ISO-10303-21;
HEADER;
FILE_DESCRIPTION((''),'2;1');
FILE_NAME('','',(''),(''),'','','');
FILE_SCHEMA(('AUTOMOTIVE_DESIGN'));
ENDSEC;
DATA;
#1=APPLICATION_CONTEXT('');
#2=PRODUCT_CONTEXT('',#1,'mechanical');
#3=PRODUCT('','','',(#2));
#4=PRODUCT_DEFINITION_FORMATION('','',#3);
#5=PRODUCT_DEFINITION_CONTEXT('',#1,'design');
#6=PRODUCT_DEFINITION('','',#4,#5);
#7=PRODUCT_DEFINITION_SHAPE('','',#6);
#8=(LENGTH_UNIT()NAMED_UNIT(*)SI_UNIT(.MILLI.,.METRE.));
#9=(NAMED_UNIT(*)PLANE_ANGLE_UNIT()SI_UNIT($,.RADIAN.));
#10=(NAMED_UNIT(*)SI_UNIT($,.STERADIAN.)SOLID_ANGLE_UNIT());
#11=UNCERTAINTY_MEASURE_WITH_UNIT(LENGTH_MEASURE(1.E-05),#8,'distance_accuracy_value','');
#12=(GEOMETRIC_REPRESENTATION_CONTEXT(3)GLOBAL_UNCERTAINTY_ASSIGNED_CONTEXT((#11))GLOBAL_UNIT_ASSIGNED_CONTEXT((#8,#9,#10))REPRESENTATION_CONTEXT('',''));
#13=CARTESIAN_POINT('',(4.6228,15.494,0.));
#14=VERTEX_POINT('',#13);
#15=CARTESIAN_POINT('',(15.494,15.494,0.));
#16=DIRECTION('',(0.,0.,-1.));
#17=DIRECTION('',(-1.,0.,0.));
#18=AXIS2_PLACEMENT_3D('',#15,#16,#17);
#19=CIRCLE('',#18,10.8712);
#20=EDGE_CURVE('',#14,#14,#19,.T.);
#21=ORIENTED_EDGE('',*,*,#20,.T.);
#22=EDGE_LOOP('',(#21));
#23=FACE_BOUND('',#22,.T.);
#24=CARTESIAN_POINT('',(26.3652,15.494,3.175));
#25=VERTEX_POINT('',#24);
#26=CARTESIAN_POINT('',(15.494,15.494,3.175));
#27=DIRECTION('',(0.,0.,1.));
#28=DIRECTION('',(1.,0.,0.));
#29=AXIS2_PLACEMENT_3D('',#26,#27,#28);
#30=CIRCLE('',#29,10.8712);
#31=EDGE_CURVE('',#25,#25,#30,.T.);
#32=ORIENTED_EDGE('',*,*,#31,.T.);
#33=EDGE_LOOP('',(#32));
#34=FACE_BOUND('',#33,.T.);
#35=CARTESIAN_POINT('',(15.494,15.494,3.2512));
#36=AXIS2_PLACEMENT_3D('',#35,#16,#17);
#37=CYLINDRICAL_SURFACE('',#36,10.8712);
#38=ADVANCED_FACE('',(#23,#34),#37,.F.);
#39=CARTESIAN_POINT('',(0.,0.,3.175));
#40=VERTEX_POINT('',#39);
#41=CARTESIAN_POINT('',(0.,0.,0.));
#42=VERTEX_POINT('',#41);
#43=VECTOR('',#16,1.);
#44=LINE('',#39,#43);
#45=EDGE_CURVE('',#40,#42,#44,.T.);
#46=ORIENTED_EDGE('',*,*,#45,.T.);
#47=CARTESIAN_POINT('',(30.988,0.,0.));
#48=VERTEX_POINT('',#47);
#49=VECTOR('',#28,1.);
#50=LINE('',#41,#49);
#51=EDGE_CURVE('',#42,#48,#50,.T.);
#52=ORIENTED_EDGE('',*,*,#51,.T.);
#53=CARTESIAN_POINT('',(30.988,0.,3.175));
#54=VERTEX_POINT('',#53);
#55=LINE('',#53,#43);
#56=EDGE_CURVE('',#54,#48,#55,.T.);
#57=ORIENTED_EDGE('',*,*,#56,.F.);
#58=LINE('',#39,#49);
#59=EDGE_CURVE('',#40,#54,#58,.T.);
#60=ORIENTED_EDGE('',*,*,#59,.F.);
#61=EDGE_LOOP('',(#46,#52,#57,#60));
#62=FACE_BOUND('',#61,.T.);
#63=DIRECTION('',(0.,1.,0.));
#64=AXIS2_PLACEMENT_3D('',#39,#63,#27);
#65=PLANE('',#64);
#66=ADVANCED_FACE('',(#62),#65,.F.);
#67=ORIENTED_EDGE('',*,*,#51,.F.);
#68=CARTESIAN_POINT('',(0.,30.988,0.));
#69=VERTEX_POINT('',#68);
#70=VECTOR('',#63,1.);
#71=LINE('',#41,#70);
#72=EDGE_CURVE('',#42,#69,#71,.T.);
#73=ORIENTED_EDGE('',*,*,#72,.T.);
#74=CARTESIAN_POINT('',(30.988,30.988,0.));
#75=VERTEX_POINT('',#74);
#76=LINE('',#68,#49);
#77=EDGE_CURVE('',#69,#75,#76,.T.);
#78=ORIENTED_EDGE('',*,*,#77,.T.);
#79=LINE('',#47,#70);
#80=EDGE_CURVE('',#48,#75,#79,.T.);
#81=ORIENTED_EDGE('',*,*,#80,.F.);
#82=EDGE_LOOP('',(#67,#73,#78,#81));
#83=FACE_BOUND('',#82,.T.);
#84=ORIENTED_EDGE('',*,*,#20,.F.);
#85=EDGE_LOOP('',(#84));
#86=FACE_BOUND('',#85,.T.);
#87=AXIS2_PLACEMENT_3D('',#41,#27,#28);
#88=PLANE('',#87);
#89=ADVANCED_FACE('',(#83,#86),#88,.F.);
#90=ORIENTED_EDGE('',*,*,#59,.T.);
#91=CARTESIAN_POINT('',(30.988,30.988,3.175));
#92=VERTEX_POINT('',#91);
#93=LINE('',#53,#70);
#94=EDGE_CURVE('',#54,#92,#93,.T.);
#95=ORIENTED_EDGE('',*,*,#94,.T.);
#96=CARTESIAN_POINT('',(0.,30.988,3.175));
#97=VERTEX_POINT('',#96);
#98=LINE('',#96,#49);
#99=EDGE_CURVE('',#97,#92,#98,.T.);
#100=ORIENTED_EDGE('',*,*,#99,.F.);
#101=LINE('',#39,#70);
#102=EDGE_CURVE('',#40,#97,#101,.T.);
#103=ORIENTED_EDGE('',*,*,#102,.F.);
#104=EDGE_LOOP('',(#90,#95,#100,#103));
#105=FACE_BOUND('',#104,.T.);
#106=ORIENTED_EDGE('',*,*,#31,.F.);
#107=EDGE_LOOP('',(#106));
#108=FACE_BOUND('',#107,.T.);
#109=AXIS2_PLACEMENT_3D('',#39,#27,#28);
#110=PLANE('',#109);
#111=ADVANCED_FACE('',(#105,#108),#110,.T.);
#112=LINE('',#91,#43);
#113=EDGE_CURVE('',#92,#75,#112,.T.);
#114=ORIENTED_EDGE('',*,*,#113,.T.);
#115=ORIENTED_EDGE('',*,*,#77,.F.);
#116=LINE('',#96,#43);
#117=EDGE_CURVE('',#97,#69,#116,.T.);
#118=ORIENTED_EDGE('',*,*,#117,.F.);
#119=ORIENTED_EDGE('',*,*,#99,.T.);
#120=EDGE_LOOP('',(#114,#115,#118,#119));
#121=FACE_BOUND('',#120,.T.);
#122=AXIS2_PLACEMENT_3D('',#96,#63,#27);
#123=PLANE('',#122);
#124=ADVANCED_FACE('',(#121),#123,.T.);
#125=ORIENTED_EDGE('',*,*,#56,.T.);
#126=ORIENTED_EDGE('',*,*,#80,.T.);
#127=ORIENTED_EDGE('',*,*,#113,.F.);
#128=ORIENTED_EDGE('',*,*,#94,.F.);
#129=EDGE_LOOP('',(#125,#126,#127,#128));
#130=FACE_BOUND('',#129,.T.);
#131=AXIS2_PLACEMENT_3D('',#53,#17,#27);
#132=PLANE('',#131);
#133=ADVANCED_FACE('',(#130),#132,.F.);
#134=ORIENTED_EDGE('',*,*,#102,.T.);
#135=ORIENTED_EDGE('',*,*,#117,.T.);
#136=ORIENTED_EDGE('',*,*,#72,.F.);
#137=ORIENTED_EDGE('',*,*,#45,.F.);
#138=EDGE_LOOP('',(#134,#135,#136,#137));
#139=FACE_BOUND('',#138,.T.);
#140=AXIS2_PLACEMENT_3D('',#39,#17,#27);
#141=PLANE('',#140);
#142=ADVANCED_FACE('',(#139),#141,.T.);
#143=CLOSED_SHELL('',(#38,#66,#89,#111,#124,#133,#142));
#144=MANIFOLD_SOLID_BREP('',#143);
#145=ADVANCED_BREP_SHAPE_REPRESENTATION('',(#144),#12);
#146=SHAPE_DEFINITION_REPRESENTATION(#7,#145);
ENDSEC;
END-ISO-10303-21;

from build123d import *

# Parameters (mm, degrees)
SKETCH1_W           = 30.988
SKETCH1_H           = 30.988
SKETCH1_R           = 5.7277
BOSS_EXTRUDE1_DEPTH = 3.175
SKETCH2_R           = 10.8712
CUT_EXTRUDE2_DEPTH  = 3.2512


with BuildPart() as part:
    # Sketch1 → Boss-Extrude1 (new body)
    with BuildSketch(Plane.XY):
        with Locations((15.494, 15.494)):
            Rectangle(SKETCH1_W, SKETCH1_H)
        with Locations((15.494, 15.494)):
            Circle(SKETCH1_R, mode=Mode.SUBTRACT)
    extrude(amount=BOSS_EXTRUDE1_DEPTH)

    # Sketch2 → Cut-Extrude2 (cut)
    with BuildSketch(Plane(origin=(0, 0, 0), x_dir=(-1, 0, 0), z_dir=(0, 0, -1))):
        with Locations((-15.494, 15.494)):
            Circle(SKETCH2_R)
    extrude(amount=-CUT_EXTRUDE2_DEPTH, mode=Mode.SUBTRACT)


solid = part.part
